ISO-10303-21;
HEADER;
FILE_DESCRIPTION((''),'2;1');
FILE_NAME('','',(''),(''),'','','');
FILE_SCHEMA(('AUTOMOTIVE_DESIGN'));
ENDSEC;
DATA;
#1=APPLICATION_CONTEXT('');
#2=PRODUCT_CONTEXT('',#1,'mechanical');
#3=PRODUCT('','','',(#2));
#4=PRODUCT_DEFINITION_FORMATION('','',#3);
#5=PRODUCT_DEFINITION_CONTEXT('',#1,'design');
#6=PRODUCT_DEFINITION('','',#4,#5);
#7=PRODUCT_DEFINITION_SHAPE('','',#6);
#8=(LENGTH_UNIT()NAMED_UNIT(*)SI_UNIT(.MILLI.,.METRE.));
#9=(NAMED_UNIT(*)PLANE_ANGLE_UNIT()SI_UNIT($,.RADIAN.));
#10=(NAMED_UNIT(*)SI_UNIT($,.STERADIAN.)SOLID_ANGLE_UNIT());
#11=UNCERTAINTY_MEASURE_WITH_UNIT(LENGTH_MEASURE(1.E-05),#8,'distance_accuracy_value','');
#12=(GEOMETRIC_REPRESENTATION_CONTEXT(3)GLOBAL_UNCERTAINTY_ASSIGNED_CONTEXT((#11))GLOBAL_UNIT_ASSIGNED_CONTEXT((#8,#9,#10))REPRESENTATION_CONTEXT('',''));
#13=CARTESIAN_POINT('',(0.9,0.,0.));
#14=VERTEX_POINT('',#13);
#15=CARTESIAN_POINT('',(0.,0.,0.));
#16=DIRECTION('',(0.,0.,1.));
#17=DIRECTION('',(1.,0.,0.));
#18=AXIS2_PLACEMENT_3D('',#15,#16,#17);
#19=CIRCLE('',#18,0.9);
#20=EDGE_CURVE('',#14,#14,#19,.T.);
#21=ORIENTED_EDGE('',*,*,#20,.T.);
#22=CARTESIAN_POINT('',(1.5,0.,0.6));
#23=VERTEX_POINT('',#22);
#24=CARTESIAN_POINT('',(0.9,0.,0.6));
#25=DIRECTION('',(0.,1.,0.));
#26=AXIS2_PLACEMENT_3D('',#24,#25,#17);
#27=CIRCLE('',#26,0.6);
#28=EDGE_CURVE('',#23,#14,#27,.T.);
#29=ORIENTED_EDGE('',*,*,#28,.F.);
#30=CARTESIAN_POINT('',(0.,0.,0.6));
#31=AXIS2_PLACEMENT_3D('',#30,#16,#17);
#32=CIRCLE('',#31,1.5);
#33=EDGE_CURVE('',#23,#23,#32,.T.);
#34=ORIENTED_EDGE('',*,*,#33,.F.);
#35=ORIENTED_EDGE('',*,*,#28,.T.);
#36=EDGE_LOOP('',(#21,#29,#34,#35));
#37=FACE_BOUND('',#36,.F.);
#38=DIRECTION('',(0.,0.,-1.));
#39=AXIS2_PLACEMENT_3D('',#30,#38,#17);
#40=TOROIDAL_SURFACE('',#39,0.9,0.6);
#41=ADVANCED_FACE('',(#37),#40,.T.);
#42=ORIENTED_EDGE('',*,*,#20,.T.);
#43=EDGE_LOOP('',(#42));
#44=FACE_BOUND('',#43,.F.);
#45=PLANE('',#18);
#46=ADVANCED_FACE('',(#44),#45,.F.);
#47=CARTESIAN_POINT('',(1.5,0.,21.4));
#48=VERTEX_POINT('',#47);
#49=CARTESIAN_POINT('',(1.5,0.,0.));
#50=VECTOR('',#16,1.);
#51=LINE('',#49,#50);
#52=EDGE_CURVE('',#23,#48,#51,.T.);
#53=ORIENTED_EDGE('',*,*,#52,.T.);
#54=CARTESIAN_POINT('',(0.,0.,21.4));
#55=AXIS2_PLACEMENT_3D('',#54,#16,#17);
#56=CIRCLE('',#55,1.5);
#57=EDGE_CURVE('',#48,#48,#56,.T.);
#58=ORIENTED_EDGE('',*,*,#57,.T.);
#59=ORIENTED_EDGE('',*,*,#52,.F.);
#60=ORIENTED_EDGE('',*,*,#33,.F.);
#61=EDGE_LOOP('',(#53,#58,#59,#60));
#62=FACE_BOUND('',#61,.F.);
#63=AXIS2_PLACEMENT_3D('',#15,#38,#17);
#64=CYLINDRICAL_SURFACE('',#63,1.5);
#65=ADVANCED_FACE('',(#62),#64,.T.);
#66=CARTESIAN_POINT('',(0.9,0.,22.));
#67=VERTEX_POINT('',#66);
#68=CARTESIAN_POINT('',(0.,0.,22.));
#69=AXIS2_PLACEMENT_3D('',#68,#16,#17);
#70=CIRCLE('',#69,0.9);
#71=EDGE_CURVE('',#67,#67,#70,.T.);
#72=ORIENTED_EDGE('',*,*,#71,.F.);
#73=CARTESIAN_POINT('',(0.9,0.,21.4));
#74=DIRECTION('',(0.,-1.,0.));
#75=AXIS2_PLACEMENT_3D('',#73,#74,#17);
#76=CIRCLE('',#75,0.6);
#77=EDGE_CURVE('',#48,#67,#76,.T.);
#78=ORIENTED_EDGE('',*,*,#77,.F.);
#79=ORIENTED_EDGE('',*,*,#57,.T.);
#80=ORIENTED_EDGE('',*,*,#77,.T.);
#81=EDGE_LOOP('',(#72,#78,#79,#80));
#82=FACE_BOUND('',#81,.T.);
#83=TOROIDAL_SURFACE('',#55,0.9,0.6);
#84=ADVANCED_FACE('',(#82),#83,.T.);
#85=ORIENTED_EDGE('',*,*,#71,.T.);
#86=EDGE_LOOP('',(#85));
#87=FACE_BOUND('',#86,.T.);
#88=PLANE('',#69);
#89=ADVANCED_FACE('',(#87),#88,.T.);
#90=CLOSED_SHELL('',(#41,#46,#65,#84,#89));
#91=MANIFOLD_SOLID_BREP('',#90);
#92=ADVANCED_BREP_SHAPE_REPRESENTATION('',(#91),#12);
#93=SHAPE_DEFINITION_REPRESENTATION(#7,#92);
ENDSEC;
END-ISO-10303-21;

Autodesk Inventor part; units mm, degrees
ref_plane "YZ Plane" through (0, 0, 0) normal (1, 0, 0) x (0, 1, 0)
ref_plane "XZ Plane" through (0, 0, 0) normal (0, 1, 0) x (-1, 0, 0)
ref_plane "XY Plane" through (0, 0, 0) normal (0, 0, 1) x (1, 0, 0)
sketch "Эскиз1" plane through (0, 0, 0) normal (0, 0, 1) x (1, 0, 0)
  circle A0 centre (0, 0) radius 1.5
  dimension "d0" = 3
extrude "Выдавливание1" add sketch "Эскиз1" along normal blind 22
fillet "Сопряжение1" radius 0.6 2 edges at (-1.5, 0, 22) (-1.5, 0, 0)
properties part number "Ограничительный стержень"
